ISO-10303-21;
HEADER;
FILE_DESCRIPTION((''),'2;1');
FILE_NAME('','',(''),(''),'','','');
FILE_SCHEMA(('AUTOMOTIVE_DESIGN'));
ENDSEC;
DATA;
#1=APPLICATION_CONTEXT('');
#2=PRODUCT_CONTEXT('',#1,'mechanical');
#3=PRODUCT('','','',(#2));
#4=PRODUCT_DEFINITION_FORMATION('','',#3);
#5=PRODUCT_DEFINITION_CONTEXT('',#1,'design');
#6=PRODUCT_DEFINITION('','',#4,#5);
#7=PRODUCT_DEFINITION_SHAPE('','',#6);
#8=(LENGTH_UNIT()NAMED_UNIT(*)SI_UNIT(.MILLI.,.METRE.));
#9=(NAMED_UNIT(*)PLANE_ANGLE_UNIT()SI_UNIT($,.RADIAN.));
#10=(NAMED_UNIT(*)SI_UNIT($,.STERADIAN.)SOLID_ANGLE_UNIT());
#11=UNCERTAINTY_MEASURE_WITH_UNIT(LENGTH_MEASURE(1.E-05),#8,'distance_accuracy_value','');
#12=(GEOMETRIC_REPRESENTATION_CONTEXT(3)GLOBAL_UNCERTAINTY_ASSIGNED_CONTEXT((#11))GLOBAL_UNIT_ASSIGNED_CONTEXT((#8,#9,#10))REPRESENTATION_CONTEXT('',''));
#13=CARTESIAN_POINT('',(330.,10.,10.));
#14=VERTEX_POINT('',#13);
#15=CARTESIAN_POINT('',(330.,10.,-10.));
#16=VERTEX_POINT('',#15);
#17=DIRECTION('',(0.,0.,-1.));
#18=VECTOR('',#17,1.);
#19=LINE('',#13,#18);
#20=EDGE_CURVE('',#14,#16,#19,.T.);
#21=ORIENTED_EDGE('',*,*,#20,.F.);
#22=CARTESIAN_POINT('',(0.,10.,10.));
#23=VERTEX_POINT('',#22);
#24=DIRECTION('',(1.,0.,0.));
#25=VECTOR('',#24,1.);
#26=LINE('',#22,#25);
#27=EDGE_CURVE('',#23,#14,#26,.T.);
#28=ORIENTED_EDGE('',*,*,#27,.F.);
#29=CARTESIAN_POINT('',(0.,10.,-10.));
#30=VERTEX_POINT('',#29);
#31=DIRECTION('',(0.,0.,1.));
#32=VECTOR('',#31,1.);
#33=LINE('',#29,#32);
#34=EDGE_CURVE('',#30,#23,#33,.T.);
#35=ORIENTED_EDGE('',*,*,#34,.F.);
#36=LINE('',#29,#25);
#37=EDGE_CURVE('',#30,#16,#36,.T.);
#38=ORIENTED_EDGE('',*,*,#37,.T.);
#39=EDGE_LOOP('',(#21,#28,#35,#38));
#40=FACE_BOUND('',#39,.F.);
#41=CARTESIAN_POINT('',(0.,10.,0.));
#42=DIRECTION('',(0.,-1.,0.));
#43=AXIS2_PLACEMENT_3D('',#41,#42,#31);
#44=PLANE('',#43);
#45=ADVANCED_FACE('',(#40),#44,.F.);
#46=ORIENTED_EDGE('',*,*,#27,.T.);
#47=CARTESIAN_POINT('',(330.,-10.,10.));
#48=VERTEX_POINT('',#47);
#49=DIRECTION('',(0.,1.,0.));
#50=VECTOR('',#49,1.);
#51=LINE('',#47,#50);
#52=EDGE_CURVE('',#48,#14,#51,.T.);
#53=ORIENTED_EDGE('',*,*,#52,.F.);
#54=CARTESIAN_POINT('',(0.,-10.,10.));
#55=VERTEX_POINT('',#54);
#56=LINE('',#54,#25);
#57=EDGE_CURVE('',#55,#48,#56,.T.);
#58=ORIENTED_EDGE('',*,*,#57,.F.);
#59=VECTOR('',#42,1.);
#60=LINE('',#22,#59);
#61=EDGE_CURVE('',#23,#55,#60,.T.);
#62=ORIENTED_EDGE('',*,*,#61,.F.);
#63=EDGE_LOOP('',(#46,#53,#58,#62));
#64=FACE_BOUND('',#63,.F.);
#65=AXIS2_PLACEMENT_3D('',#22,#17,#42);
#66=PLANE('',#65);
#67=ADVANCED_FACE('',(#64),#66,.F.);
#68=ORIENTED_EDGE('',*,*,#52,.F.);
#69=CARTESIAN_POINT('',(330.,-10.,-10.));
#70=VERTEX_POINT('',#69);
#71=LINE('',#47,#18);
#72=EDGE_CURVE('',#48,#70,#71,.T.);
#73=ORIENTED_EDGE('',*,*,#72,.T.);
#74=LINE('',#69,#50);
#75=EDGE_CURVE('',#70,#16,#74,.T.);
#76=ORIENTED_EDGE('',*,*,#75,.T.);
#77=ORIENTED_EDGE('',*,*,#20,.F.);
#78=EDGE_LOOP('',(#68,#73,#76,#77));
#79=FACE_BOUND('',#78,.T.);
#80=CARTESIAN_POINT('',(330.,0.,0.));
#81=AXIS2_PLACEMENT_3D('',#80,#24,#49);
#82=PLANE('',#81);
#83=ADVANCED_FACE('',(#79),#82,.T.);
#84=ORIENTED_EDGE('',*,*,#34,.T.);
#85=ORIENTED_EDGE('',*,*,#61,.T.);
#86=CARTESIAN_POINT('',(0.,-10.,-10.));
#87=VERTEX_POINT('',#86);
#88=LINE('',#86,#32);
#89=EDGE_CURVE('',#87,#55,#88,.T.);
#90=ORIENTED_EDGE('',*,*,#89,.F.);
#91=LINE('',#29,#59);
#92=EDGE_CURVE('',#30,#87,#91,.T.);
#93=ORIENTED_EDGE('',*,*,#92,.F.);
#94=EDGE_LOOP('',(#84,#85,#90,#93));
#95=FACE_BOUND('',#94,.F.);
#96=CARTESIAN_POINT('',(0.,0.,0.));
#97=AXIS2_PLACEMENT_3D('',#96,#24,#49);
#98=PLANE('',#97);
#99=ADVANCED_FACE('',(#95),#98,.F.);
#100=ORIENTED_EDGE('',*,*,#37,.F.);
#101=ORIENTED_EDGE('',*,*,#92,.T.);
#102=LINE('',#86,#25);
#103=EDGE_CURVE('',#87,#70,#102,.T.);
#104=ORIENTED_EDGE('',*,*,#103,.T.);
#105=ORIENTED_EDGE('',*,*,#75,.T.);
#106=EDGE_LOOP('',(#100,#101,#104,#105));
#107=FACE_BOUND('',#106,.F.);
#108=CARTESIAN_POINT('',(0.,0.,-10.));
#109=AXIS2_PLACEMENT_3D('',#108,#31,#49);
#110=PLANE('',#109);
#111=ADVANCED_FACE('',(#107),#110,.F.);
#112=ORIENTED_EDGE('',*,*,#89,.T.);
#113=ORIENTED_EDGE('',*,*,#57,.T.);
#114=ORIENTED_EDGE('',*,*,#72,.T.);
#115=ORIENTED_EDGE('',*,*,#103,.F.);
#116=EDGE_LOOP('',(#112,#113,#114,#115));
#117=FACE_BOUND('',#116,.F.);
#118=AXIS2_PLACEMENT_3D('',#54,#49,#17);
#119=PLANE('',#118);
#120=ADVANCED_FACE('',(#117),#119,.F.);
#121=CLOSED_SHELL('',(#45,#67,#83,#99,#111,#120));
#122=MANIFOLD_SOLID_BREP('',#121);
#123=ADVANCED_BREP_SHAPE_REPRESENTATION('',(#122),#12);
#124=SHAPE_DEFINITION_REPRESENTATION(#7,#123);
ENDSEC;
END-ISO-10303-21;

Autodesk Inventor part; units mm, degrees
ref_plane "YZ Plane" through (0, 0, 0) normal (1, 0, 0) x (0, 1, 0)
ref_plane "XZ Plane" through (0, 0, 0) normal (0, 1, 0) x (-1, 0, 0)
ref_plane "XY Plane" through (0, 0, 0) normal (0, 0, 1) x (1, 0, 0)
sketch "Sketch1" plane through (0, 0, 0) normal (1, 0, 0) x (0, 1, 0)
  line L0 (10, 10) -> (-10, 10)
  line L1 (-10, 10) -> (-10, -10)
  line L2 (-10, -10) -> (10, -10)
  line L3 (10, -10) -> (10, 10)
  line L4 (0, -14) -> (0, 14) projected
  line L5 (-14, 0) -> (14, 0) projected
  point P0 (0, 0)
  point P1 (0, 10)
  point P2 (-10, 0)
  dimension "d0" = 20
  dimension "d1" = 20
extrude "Extrusion1" add sketch "Sketch1" along normal blind 330
properties part number "testsideShort" material "Wood (Cherry)"
